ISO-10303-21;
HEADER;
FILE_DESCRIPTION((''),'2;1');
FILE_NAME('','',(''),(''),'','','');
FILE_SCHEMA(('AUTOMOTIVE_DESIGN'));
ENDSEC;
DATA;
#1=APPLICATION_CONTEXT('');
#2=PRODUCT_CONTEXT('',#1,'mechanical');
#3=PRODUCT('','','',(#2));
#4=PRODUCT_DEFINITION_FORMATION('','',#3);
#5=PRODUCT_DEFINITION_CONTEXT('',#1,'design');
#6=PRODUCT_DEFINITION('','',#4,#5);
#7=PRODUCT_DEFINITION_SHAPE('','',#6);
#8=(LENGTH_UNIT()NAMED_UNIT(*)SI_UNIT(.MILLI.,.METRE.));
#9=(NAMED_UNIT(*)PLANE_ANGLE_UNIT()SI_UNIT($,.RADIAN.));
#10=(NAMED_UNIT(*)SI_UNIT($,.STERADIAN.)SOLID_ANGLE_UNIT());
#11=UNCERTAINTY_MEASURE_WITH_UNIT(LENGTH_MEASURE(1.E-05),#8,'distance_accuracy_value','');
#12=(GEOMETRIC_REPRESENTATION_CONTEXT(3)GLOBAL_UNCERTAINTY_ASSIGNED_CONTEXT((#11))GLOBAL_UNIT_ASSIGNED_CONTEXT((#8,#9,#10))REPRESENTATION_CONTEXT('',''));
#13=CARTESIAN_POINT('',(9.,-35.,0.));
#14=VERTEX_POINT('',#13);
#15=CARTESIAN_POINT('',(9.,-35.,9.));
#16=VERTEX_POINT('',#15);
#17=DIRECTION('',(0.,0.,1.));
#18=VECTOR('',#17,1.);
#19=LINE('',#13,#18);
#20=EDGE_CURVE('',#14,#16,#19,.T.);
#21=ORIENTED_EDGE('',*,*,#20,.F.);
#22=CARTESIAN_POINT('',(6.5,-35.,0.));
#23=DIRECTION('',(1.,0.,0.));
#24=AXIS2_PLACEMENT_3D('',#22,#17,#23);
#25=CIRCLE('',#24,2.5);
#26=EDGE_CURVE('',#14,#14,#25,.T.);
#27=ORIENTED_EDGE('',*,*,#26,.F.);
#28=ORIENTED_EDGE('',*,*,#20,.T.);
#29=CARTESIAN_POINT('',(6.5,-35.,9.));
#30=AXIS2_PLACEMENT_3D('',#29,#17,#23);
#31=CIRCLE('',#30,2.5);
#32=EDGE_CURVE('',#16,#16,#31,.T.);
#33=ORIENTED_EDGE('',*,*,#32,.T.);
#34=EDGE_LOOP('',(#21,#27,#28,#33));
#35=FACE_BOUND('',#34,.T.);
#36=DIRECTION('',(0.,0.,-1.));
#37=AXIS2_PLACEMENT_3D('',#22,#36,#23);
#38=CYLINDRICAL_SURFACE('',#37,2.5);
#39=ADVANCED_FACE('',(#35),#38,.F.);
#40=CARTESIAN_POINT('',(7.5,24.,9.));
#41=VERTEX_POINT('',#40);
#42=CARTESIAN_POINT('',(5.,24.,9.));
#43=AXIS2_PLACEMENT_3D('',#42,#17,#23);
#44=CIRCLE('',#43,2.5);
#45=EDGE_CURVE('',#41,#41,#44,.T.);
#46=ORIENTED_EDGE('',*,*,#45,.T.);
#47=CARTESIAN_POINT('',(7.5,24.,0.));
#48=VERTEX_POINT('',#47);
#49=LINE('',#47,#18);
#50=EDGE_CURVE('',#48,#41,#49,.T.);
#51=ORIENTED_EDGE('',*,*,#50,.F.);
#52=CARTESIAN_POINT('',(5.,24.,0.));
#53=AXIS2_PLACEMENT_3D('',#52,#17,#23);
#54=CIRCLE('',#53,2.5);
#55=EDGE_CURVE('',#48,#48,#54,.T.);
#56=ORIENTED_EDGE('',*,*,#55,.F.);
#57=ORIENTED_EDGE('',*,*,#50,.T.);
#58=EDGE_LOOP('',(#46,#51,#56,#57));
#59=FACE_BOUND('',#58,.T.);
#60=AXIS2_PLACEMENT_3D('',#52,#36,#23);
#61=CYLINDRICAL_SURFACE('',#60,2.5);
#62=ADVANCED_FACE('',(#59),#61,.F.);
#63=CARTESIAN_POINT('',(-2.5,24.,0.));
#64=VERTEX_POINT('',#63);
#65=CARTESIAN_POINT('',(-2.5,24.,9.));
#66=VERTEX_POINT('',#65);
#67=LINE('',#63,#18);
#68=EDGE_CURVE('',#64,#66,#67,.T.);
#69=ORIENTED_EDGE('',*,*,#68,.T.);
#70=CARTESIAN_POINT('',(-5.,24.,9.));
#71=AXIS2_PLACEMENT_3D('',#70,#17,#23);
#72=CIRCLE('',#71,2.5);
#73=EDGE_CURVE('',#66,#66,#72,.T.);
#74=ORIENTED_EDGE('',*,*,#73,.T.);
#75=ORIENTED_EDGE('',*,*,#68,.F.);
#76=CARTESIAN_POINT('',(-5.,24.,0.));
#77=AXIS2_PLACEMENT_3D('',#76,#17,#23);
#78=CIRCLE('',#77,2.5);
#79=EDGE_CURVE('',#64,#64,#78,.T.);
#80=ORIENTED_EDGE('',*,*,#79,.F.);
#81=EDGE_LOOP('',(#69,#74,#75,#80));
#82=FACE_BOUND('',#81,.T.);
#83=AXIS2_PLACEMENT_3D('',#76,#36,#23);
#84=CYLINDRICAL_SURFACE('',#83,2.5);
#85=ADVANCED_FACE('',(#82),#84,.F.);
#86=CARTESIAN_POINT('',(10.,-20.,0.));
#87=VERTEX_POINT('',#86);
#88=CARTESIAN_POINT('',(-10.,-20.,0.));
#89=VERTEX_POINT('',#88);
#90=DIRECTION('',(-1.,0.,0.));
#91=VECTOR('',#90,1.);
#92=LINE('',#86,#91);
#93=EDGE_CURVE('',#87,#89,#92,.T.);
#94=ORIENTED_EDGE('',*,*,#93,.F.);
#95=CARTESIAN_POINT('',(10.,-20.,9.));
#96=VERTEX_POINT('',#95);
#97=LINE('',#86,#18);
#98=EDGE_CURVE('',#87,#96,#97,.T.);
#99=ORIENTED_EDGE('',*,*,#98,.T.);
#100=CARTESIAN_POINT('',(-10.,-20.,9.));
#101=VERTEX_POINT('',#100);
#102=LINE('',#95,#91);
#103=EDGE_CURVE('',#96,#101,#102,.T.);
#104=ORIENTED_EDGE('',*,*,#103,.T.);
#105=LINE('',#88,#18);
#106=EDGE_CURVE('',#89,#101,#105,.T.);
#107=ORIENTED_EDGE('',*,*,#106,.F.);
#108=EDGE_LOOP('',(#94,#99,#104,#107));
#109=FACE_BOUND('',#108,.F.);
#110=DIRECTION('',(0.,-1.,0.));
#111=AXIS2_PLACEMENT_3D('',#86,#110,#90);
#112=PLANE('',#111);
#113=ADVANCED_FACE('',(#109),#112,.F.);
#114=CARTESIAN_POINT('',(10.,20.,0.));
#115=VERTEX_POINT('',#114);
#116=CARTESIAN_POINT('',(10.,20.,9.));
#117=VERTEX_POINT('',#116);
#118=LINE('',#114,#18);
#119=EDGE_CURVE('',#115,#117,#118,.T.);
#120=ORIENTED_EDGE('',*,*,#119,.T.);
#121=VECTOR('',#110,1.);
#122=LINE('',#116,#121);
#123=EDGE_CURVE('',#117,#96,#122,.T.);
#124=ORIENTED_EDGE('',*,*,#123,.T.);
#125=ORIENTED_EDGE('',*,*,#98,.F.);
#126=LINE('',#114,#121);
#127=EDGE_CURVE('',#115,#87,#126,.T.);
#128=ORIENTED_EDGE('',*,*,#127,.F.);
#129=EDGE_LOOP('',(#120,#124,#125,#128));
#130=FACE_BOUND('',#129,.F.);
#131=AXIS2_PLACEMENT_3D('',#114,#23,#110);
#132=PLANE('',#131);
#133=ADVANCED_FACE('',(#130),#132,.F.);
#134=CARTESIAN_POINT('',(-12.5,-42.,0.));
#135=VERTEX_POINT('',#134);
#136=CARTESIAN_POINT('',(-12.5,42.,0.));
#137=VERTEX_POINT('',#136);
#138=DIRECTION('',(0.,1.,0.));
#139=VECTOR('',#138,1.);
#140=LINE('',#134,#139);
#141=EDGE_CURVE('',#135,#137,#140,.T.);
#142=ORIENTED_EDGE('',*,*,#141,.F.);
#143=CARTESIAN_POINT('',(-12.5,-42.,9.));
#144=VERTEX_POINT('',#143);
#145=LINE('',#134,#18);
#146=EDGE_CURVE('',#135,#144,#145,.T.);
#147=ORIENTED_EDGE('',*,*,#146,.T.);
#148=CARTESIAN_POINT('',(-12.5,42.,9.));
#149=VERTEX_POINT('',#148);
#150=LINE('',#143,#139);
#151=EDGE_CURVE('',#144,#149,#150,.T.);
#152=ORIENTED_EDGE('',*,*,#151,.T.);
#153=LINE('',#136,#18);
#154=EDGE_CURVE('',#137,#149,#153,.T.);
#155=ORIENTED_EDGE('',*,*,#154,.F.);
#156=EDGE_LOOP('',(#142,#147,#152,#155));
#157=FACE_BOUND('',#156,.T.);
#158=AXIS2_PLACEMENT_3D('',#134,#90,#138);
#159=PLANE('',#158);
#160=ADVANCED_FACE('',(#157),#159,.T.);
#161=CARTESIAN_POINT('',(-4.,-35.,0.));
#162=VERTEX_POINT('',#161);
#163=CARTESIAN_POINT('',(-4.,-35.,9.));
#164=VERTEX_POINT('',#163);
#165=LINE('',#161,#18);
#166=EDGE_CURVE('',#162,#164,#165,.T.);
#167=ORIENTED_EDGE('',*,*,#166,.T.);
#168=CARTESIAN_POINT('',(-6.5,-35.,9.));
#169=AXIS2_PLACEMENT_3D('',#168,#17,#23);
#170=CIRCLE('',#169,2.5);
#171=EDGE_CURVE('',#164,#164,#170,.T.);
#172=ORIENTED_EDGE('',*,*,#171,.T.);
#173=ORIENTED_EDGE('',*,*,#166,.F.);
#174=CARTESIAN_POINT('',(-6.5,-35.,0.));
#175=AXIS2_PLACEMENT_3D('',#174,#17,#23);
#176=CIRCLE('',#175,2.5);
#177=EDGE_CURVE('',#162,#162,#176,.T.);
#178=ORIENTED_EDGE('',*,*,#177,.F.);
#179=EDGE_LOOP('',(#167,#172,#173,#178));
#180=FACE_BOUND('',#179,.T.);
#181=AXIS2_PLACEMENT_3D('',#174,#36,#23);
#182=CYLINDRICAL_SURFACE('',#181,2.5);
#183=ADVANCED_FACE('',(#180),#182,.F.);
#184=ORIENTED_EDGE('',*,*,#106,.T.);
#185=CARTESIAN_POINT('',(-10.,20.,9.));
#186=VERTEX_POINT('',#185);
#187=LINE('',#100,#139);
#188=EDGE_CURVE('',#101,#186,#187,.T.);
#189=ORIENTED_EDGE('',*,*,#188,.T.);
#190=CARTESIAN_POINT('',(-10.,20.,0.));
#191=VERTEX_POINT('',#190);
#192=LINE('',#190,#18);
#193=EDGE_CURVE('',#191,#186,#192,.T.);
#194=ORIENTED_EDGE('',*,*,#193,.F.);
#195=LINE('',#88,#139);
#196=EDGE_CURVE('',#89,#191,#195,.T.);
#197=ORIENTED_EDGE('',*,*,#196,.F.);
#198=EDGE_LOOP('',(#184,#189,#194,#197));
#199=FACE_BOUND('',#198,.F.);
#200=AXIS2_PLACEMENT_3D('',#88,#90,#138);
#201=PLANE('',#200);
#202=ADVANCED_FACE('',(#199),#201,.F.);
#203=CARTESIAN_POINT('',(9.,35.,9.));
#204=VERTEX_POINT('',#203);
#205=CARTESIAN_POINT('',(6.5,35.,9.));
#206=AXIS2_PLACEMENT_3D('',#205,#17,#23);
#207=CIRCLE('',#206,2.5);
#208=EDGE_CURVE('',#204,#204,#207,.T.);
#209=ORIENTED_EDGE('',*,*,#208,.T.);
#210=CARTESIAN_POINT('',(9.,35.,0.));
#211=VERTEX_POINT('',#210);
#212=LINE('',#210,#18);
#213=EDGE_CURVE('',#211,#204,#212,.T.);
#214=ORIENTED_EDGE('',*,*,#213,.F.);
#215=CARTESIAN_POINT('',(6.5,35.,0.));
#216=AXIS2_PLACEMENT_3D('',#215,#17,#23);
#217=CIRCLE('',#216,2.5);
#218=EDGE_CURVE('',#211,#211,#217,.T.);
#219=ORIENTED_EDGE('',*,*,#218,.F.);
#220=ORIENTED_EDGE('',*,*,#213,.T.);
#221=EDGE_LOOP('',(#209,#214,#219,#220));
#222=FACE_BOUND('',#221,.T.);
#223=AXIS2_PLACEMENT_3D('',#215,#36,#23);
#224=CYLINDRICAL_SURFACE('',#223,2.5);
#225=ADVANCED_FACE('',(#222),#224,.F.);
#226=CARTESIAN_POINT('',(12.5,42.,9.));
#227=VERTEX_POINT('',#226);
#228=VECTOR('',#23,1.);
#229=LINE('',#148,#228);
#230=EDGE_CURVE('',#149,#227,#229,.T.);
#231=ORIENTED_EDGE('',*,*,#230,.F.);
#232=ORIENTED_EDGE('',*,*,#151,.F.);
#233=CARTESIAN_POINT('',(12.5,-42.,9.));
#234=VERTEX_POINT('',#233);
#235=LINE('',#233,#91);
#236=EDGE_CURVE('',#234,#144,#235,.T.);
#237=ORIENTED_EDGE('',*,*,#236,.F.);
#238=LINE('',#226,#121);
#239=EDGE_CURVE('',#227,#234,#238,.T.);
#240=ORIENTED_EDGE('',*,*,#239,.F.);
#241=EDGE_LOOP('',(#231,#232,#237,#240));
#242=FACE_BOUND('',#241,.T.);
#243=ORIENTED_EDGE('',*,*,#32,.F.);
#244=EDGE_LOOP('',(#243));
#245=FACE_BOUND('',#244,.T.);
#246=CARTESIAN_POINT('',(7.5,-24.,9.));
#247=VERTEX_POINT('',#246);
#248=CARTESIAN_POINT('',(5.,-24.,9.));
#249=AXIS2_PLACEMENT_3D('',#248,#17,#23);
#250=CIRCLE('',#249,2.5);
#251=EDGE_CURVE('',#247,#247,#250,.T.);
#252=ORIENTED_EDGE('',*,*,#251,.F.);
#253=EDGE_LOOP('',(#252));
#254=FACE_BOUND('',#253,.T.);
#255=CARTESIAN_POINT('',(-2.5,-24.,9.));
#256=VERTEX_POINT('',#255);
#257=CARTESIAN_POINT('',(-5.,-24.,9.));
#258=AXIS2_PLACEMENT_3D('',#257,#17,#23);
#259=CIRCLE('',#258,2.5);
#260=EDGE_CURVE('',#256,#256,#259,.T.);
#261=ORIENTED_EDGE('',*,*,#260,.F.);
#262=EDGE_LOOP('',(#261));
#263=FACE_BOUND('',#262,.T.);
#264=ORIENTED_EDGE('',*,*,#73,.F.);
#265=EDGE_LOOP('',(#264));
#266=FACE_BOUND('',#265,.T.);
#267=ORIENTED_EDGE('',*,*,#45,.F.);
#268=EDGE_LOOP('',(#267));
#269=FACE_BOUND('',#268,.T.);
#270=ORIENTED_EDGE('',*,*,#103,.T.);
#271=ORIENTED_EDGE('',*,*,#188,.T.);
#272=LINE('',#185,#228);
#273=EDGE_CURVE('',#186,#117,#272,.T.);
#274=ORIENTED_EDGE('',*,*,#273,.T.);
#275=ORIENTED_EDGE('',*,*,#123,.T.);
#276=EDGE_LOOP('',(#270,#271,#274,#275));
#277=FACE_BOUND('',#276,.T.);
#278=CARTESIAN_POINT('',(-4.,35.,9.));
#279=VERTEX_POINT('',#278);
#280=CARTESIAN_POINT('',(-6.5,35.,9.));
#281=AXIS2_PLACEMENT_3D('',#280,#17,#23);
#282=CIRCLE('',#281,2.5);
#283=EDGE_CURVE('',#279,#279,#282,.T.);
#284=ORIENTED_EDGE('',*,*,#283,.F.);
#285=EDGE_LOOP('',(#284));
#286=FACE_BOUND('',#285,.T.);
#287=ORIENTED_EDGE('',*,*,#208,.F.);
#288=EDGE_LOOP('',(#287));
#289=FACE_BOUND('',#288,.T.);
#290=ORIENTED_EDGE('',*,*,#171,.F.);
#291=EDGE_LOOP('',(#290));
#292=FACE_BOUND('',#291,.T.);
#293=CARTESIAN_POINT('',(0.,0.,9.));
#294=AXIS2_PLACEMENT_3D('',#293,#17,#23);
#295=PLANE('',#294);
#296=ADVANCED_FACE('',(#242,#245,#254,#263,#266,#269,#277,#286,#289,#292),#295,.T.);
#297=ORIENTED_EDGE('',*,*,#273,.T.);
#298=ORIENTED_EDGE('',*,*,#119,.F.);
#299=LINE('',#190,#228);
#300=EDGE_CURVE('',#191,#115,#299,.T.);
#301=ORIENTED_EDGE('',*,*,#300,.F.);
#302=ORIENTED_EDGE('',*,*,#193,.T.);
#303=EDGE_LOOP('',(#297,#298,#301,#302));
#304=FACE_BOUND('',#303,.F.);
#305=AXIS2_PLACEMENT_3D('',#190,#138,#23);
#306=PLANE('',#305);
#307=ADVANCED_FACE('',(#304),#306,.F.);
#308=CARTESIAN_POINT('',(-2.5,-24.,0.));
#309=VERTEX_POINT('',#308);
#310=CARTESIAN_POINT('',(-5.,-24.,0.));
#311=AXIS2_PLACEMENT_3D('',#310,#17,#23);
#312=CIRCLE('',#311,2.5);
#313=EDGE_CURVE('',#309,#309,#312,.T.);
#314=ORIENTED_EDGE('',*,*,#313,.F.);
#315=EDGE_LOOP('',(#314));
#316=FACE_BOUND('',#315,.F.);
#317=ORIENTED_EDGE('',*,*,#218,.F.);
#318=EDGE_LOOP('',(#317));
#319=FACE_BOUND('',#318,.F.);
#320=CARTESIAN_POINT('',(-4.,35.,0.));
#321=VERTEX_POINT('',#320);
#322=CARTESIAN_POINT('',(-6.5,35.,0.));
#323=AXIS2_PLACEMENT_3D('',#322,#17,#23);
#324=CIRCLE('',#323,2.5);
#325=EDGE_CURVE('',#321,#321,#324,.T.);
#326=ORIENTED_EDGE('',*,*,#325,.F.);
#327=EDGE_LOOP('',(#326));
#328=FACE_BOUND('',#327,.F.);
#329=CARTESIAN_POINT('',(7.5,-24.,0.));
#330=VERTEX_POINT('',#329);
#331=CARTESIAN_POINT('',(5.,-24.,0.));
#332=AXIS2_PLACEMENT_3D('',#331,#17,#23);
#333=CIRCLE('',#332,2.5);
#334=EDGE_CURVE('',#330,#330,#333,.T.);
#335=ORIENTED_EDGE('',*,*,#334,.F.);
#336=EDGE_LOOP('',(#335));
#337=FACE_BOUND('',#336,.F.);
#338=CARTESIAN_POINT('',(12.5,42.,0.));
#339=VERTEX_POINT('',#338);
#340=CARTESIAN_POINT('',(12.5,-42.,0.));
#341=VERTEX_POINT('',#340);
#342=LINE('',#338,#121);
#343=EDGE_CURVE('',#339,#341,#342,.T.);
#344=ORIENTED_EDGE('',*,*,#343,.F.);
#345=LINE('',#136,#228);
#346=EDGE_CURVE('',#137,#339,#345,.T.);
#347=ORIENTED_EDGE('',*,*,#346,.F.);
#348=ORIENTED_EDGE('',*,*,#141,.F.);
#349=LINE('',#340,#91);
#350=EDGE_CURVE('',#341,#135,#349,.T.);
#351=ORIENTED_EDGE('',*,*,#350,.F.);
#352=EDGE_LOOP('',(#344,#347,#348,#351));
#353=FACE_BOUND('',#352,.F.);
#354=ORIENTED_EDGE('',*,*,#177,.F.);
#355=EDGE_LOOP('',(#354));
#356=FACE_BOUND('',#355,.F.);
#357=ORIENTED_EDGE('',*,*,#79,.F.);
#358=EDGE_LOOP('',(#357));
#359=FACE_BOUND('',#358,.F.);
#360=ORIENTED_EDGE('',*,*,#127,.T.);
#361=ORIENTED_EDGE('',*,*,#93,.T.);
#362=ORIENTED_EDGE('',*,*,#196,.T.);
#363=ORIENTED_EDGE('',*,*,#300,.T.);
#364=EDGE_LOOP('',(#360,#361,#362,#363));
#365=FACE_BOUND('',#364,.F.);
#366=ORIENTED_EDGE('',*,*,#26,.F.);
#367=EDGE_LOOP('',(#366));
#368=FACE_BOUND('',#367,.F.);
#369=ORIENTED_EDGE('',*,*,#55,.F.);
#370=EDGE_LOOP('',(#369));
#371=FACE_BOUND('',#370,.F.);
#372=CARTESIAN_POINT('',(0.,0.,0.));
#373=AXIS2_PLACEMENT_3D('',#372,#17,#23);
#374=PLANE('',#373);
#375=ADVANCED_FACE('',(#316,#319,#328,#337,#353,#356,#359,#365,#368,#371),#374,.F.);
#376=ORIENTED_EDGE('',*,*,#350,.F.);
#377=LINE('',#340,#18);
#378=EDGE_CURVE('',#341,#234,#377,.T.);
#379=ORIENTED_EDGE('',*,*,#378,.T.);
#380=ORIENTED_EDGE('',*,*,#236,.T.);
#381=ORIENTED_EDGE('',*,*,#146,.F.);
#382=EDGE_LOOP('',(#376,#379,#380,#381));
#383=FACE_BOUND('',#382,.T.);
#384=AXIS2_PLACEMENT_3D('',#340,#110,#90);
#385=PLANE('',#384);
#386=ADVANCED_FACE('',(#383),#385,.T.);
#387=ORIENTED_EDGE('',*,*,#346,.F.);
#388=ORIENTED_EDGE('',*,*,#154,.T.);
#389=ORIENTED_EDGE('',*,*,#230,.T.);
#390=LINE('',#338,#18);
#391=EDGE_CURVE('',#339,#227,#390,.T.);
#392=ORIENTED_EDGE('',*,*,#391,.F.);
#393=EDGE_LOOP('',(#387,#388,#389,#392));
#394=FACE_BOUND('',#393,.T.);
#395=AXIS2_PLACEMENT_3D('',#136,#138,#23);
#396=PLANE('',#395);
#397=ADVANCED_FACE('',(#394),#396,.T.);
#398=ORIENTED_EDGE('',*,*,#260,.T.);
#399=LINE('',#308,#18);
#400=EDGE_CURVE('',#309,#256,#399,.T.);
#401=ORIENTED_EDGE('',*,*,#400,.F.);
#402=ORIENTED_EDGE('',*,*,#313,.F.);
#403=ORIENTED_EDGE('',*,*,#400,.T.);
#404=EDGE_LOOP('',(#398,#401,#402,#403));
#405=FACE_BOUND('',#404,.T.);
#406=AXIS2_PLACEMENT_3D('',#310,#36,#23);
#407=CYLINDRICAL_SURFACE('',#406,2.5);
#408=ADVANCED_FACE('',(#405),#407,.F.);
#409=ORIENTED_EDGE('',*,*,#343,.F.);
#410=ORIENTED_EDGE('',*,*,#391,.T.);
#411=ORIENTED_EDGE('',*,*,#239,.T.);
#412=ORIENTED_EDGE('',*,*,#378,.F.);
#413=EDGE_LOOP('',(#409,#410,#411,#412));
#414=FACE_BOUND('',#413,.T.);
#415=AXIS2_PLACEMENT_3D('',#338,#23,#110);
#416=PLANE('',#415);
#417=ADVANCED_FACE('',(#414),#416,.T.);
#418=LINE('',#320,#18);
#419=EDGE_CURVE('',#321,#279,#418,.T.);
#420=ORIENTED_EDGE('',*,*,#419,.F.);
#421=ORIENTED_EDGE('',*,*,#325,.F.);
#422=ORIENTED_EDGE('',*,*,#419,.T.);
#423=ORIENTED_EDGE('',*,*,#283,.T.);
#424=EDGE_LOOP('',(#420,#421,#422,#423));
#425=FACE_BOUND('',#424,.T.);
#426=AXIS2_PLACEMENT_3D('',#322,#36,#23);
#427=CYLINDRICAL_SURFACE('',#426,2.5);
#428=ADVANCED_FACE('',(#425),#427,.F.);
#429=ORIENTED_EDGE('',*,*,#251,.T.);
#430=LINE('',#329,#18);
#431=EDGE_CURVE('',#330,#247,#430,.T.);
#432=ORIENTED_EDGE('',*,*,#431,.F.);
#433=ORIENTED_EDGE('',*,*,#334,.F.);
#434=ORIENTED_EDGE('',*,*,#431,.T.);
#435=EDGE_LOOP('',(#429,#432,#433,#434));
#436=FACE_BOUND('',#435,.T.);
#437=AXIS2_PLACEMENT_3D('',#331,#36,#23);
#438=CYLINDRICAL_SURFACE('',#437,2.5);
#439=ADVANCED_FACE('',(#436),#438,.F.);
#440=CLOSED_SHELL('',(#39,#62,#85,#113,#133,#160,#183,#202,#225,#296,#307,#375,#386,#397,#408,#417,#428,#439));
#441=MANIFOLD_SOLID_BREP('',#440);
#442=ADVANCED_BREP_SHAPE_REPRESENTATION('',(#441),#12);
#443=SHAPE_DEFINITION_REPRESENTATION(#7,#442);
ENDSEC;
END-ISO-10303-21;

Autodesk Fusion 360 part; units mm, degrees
sketch "Sketch1" plane through (0, 0, 0) normal (0, 0, 1) x (1, 0, 0)
  line L0 (12.5, -42) -> (-12.5, -42)
  line L1 (-12.5, -42) -> (-12.5, 42)
  line L2 (-12.5, 42) -> (12.5, 42)
  line L3 (12.5, 42) -> (12.5, -42)
  line L4 (12.5, -42) -> (-12.5, 42) construction
  line L5 (-12.5, -42) -> (12.5, 42) construction
  line L6 (10, -20) -> (-10, -20)
  line L7 (-10, -20) -> (-10, 20)
  line L8 (-10, 20) -> (10, 20)
  line L9 (10, 20) -> (10, -20)
  line L10 (10, -20) -> (-10, 20) construction
  line L11 (-10, -20) -> (10, 20) construction
  circle A0 centre (5, -24) radius 2.5
  circle A1 centre (-5, -24) radius 2.5
  line L12 (0, 0) -> (5, 0) construction
  circle A2 centre (5, 24) radius 2.5
  circle A3 centre (-5, 24) radius 2.5
  circle A4 centre (6.5, 35) radius 2.5
  circle A5 centre (-6.5, 35) radius 2.5
  circle A6 centre (6.5, -35) radius 2.5
  circle A7 centre (-6.5, -35) radius 2.5
  dimension "d1" = 84
  dimension "d2" = 25
  dimension "d3" = 40
  dimension "d4" = 20
  dimension "d5" = 5
  dimension "d6" = 5
  dimension "d7" = 18
  dimension "d8" = 18
  dimension "d9" = 5
  dimension "d10" = 10
  dimension "d11" = 5
  dimension "d12" = 5
  dimension "d13" = 6
  dimension "d14" = 7
  dimension "d15" = 13
  dimension "d16" = 7
extrude "Extrude1" add sketch "Sketch1" along normal blind 9
